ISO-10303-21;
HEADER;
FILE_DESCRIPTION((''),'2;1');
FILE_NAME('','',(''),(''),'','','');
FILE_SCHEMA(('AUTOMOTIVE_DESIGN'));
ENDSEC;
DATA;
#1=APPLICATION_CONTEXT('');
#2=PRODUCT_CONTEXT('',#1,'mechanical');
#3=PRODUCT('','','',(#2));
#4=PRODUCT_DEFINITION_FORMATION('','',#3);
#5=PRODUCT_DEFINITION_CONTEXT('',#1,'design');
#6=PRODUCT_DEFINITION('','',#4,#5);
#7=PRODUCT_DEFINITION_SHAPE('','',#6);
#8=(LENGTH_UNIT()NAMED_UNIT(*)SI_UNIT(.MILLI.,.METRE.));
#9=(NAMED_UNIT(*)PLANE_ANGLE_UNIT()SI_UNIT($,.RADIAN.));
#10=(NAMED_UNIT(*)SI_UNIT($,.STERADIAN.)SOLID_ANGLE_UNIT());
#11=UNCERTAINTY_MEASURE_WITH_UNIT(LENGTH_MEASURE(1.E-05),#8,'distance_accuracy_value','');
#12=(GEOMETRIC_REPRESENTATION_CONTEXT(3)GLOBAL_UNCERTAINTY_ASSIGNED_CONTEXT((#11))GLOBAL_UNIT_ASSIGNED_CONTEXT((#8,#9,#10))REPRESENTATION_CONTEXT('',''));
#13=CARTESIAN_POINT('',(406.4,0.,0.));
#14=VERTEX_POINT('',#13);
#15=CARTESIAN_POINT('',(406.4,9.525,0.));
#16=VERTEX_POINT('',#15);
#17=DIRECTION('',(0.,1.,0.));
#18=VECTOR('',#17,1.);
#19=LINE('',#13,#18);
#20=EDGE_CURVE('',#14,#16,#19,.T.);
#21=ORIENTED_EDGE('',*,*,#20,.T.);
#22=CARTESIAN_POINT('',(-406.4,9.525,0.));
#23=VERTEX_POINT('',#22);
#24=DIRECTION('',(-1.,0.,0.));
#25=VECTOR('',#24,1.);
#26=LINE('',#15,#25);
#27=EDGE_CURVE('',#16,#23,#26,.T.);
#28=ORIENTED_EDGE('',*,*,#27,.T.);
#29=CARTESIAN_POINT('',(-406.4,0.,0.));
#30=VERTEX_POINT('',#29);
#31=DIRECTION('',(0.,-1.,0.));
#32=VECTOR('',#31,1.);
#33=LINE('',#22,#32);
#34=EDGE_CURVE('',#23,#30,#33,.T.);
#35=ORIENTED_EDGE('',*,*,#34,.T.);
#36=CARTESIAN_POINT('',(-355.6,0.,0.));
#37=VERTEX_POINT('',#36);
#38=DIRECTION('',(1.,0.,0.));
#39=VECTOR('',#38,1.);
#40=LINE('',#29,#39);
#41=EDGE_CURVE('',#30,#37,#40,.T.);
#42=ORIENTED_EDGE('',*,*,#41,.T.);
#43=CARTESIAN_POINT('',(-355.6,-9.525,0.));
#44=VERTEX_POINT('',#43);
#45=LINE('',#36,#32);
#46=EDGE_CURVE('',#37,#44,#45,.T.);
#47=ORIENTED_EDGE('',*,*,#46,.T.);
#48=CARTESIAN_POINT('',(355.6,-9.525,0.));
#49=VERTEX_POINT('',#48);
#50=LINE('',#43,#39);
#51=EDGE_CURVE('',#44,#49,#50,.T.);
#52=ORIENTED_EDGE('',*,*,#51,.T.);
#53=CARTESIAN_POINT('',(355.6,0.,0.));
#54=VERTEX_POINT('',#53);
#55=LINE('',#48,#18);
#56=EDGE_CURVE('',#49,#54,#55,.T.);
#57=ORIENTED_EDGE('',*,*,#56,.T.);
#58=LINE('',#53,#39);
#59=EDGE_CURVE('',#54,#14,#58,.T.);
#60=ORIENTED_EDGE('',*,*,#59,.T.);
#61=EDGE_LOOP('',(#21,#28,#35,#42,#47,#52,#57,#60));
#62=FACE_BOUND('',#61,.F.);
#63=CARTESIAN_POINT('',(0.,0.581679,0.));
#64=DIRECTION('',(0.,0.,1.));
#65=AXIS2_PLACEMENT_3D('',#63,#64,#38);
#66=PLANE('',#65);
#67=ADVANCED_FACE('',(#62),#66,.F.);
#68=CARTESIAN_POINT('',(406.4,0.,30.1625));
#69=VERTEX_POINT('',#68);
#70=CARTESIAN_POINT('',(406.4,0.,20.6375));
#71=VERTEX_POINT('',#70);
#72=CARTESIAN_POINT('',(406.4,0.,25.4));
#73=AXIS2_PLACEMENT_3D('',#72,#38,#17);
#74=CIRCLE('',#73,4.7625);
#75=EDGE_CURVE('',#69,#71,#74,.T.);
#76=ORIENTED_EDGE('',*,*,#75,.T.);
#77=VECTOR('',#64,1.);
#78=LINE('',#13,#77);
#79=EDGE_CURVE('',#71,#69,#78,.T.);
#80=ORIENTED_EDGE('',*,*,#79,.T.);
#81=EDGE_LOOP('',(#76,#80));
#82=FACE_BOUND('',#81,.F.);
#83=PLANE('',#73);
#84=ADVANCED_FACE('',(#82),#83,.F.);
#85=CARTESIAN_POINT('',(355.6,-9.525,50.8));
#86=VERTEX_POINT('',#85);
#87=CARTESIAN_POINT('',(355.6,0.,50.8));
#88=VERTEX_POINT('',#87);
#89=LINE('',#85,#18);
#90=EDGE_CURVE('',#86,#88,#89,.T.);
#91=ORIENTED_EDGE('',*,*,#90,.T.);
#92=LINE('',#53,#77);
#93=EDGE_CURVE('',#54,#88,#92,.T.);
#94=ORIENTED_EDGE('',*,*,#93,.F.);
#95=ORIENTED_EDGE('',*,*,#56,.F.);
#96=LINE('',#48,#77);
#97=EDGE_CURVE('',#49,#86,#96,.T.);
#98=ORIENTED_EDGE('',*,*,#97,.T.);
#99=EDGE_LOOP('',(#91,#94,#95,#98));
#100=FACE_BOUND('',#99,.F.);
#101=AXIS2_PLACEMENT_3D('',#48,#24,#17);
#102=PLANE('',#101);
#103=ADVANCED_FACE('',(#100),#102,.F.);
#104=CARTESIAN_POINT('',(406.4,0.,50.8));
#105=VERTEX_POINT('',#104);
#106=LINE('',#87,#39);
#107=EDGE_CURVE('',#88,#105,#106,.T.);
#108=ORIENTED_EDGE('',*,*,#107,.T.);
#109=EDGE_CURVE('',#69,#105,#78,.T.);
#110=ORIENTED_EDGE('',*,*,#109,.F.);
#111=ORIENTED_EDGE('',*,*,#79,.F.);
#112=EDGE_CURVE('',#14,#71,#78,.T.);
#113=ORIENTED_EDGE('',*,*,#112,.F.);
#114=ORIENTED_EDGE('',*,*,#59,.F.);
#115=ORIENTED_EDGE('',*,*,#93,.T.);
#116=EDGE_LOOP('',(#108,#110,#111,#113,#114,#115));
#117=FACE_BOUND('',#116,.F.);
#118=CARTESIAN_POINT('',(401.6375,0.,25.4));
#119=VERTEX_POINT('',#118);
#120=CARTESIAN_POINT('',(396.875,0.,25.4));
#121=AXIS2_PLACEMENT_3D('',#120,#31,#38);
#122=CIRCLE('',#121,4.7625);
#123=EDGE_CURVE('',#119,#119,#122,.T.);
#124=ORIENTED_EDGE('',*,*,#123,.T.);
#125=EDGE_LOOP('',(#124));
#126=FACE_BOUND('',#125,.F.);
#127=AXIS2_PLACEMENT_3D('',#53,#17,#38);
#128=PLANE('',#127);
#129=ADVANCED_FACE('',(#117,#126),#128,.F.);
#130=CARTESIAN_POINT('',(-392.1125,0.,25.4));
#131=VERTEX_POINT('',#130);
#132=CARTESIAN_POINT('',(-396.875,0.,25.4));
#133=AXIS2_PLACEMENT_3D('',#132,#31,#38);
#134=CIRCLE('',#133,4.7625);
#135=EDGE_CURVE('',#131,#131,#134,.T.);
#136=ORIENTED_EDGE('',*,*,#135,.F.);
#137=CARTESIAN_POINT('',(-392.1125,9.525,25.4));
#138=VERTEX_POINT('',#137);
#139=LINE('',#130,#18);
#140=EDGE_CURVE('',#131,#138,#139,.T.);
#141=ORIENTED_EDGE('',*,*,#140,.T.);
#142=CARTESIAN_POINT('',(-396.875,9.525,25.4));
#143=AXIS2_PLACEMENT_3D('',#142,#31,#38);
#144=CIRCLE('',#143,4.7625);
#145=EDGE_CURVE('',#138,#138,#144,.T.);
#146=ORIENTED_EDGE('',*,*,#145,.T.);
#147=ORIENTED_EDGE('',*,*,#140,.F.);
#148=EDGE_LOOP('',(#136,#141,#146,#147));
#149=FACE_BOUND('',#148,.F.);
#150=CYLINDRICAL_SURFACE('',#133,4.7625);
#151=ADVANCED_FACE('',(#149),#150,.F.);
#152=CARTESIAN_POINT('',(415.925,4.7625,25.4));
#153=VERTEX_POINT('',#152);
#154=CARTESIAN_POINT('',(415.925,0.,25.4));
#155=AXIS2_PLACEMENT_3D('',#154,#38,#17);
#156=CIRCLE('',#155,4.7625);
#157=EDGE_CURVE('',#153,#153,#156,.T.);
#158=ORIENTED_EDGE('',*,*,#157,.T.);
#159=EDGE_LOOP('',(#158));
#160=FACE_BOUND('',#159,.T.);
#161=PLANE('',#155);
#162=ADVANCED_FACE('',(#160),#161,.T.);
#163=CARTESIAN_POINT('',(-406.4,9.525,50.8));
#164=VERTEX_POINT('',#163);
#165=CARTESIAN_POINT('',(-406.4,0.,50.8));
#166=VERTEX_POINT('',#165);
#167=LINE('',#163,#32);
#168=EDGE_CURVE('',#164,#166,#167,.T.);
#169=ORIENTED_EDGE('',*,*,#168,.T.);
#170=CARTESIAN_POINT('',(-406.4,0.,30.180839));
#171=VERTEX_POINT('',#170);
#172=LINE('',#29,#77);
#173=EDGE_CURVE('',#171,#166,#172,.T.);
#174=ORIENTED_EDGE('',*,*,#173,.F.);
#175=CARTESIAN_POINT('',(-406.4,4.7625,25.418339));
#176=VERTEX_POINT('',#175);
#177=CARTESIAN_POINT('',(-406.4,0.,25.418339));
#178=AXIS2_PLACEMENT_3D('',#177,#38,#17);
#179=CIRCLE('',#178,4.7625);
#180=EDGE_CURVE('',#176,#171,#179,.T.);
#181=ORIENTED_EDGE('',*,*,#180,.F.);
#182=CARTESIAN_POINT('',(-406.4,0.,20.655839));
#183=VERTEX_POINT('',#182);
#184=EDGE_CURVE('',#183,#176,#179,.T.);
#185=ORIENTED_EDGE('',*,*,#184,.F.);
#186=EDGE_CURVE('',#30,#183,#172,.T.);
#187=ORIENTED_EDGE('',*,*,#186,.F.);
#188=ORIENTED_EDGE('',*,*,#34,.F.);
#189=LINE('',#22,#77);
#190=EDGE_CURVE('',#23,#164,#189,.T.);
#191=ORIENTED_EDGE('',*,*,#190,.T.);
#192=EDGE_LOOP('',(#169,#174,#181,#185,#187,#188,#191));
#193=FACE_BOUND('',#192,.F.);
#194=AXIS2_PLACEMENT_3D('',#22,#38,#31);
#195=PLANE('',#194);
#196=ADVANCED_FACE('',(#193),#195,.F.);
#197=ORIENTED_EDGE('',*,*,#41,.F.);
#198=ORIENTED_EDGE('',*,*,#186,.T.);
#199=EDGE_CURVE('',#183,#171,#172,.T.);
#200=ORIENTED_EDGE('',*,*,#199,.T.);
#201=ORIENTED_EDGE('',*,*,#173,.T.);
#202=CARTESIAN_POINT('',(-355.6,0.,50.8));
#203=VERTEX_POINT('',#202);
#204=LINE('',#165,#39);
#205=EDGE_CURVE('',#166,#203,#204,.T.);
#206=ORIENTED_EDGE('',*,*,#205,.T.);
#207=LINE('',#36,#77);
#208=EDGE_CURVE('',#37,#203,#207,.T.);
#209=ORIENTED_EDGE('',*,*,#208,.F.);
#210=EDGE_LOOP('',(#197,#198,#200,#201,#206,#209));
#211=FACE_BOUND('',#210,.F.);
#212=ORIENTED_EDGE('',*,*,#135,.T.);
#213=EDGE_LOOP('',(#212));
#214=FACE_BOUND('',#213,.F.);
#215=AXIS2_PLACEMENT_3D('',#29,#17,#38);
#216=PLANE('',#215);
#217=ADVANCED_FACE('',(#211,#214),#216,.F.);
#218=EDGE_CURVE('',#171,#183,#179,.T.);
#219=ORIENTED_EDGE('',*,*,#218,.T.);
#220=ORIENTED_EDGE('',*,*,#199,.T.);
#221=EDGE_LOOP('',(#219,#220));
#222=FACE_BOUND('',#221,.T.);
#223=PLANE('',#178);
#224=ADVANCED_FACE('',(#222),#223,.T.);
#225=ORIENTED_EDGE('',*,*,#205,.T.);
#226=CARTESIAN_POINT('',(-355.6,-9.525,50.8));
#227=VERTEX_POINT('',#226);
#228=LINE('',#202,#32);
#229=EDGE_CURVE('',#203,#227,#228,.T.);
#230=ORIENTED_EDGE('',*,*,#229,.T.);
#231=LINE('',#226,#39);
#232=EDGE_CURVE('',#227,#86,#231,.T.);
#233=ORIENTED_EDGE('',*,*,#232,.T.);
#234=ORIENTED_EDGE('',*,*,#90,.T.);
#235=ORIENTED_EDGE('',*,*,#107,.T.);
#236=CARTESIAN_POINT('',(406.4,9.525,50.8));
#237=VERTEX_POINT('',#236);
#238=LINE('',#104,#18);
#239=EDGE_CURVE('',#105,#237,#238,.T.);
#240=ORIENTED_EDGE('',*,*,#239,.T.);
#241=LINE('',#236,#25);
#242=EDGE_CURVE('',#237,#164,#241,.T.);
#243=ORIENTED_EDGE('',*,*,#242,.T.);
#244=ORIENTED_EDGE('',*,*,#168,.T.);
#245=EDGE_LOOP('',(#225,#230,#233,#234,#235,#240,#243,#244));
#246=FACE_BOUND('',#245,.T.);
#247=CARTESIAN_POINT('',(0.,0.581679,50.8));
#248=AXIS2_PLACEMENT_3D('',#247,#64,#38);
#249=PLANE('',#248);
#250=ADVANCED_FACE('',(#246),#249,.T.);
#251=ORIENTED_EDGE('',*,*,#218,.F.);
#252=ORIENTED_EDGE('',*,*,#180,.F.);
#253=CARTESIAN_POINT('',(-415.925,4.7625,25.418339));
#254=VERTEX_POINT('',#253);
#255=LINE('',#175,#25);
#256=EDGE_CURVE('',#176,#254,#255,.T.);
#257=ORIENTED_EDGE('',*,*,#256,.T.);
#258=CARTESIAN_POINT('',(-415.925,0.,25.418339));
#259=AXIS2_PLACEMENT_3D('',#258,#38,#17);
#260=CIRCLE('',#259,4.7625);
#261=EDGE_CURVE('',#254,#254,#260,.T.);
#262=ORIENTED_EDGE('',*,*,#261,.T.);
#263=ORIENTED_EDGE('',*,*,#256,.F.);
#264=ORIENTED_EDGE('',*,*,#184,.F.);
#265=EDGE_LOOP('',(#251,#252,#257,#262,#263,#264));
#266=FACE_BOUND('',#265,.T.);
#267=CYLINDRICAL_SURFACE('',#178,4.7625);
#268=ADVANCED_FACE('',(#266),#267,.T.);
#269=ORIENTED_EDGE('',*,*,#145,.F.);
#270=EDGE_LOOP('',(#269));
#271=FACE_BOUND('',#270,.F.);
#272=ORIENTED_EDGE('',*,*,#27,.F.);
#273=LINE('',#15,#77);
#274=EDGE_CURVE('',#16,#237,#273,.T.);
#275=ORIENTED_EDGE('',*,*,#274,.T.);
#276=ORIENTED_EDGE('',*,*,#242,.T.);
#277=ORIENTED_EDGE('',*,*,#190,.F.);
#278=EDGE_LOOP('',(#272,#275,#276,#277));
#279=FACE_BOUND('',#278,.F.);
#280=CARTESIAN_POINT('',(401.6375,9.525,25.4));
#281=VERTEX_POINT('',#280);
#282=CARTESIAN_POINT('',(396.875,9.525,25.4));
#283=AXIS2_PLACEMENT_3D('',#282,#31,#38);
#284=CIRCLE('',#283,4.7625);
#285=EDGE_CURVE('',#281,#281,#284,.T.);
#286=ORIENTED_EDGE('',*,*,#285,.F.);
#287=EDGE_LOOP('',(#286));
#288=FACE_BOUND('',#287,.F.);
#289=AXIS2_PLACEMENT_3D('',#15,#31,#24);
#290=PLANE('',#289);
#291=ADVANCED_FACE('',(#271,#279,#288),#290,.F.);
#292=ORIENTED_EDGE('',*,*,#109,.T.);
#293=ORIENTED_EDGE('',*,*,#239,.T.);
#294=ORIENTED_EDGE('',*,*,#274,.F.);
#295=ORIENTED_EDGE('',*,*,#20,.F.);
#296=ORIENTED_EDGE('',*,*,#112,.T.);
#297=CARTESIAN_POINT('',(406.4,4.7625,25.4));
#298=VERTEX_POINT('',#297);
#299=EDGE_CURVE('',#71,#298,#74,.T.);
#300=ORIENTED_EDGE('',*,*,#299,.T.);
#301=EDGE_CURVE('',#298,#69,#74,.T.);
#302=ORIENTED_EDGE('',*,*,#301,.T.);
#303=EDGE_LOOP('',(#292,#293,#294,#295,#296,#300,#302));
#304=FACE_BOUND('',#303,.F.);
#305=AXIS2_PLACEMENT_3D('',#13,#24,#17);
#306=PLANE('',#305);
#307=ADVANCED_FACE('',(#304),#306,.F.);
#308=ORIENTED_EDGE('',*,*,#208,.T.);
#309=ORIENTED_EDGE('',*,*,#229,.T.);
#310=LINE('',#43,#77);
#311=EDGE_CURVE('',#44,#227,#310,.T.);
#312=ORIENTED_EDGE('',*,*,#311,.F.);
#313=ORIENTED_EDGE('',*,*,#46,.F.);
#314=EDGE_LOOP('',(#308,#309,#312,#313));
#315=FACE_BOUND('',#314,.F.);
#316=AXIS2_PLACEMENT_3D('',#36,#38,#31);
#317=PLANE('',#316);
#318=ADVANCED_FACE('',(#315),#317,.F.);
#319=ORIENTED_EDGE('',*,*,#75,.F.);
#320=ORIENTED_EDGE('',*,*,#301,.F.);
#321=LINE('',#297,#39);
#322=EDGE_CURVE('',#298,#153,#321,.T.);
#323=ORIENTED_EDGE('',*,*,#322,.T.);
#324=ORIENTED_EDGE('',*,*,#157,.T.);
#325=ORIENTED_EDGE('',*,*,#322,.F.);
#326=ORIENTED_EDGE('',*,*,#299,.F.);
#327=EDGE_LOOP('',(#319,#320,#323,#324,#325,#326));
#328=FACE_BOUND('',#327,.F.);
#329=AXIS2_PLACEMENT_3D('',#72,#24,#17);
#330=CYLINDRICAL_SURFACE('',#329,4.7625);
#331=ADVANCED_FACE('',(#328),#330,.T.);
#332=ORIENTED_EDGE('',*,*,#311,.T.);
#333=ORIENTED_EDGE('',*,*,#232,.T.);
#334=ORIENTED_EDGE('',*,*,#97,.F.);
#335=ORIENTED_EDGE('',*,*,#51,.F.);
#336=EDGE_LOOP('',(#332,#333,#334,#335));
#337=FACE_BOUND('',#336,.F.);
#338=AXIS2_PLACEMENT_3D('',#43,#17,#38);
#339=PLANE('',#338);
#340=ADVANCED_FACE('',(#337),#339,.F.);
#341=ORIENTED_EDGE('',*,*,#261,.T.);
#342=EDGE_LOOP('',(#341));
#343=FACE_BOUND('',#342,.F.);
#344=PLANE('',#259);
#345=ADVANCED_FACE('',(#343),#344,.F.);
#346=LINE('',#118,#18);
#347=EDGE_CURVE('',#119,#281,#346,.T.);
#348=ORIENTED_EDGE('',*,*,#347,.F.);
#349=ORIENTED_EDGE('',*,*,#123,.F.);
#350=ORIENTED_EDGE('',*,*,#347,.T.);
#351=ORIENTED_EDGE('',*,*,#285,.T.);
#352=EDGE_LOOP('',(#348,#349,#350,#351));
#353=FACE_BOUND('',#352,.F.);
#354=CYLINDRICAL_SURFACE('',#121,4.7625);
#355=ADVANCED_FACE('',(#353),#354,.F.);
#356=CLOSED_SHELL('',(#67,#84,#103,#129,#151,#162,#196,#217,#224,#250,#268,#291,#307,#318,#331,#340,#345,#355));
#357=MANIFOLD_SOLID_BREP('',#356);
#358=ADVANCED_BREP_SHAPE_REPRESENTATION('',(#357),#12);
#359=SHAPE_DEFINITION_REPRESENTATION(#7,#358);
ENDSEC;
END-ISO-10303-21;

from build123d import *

# Parameters (mm, degrees)
F1_DEPTH = 50.8
F3_R     = 4.7625
F4_DEPTH = 9.525
F6_R     = 4.7625
F7_DEPTH = 9.525
F8_R     = 4.7625
F9_DEPTH = 25.4


with BuildPart() as f1:
    # F0 (on Top) → F1 (new body)
    with BuildSketch(Plane.XY):
        Polygon((-355.6, 0), (-355.6, -9.525), (355.6, -9.525), (355.6, 0), (406.4, 0), (406.4, 9.525), (-406.4, 9.525), (-406.4, 0), align=None)
    extrude(amount=F1_DEPTH)

    # F3 (on offset) → F4 (join)
    with BuildSketch(Plane.YZ.offset(406.4)):
        with Locations((0, 25.4)):
            Circle(F3_R)
    extrude(amount=F4_DEPTH)

    # F6 (on offset) → F7 (join)
    with BuildSketch(Plane.YZ.offset(-406.4)):
        with Locations((0, 25.418339)):
            Circle(F6_R)
    extrude(amount=-F7_DEPTH)

    # F8 (on Front) → F9 (cut)
    with BuildSketch(Plane.XZ):
        with Locations((-396.875, 25.4)):
            Circle(F8_R)
        with Locations((396.875, 25.4)):
            Circle(F8_R)
    extrude(amount=-F9_DEPTH, mode=Mode.SUBTRACT)


solid = f1.part
